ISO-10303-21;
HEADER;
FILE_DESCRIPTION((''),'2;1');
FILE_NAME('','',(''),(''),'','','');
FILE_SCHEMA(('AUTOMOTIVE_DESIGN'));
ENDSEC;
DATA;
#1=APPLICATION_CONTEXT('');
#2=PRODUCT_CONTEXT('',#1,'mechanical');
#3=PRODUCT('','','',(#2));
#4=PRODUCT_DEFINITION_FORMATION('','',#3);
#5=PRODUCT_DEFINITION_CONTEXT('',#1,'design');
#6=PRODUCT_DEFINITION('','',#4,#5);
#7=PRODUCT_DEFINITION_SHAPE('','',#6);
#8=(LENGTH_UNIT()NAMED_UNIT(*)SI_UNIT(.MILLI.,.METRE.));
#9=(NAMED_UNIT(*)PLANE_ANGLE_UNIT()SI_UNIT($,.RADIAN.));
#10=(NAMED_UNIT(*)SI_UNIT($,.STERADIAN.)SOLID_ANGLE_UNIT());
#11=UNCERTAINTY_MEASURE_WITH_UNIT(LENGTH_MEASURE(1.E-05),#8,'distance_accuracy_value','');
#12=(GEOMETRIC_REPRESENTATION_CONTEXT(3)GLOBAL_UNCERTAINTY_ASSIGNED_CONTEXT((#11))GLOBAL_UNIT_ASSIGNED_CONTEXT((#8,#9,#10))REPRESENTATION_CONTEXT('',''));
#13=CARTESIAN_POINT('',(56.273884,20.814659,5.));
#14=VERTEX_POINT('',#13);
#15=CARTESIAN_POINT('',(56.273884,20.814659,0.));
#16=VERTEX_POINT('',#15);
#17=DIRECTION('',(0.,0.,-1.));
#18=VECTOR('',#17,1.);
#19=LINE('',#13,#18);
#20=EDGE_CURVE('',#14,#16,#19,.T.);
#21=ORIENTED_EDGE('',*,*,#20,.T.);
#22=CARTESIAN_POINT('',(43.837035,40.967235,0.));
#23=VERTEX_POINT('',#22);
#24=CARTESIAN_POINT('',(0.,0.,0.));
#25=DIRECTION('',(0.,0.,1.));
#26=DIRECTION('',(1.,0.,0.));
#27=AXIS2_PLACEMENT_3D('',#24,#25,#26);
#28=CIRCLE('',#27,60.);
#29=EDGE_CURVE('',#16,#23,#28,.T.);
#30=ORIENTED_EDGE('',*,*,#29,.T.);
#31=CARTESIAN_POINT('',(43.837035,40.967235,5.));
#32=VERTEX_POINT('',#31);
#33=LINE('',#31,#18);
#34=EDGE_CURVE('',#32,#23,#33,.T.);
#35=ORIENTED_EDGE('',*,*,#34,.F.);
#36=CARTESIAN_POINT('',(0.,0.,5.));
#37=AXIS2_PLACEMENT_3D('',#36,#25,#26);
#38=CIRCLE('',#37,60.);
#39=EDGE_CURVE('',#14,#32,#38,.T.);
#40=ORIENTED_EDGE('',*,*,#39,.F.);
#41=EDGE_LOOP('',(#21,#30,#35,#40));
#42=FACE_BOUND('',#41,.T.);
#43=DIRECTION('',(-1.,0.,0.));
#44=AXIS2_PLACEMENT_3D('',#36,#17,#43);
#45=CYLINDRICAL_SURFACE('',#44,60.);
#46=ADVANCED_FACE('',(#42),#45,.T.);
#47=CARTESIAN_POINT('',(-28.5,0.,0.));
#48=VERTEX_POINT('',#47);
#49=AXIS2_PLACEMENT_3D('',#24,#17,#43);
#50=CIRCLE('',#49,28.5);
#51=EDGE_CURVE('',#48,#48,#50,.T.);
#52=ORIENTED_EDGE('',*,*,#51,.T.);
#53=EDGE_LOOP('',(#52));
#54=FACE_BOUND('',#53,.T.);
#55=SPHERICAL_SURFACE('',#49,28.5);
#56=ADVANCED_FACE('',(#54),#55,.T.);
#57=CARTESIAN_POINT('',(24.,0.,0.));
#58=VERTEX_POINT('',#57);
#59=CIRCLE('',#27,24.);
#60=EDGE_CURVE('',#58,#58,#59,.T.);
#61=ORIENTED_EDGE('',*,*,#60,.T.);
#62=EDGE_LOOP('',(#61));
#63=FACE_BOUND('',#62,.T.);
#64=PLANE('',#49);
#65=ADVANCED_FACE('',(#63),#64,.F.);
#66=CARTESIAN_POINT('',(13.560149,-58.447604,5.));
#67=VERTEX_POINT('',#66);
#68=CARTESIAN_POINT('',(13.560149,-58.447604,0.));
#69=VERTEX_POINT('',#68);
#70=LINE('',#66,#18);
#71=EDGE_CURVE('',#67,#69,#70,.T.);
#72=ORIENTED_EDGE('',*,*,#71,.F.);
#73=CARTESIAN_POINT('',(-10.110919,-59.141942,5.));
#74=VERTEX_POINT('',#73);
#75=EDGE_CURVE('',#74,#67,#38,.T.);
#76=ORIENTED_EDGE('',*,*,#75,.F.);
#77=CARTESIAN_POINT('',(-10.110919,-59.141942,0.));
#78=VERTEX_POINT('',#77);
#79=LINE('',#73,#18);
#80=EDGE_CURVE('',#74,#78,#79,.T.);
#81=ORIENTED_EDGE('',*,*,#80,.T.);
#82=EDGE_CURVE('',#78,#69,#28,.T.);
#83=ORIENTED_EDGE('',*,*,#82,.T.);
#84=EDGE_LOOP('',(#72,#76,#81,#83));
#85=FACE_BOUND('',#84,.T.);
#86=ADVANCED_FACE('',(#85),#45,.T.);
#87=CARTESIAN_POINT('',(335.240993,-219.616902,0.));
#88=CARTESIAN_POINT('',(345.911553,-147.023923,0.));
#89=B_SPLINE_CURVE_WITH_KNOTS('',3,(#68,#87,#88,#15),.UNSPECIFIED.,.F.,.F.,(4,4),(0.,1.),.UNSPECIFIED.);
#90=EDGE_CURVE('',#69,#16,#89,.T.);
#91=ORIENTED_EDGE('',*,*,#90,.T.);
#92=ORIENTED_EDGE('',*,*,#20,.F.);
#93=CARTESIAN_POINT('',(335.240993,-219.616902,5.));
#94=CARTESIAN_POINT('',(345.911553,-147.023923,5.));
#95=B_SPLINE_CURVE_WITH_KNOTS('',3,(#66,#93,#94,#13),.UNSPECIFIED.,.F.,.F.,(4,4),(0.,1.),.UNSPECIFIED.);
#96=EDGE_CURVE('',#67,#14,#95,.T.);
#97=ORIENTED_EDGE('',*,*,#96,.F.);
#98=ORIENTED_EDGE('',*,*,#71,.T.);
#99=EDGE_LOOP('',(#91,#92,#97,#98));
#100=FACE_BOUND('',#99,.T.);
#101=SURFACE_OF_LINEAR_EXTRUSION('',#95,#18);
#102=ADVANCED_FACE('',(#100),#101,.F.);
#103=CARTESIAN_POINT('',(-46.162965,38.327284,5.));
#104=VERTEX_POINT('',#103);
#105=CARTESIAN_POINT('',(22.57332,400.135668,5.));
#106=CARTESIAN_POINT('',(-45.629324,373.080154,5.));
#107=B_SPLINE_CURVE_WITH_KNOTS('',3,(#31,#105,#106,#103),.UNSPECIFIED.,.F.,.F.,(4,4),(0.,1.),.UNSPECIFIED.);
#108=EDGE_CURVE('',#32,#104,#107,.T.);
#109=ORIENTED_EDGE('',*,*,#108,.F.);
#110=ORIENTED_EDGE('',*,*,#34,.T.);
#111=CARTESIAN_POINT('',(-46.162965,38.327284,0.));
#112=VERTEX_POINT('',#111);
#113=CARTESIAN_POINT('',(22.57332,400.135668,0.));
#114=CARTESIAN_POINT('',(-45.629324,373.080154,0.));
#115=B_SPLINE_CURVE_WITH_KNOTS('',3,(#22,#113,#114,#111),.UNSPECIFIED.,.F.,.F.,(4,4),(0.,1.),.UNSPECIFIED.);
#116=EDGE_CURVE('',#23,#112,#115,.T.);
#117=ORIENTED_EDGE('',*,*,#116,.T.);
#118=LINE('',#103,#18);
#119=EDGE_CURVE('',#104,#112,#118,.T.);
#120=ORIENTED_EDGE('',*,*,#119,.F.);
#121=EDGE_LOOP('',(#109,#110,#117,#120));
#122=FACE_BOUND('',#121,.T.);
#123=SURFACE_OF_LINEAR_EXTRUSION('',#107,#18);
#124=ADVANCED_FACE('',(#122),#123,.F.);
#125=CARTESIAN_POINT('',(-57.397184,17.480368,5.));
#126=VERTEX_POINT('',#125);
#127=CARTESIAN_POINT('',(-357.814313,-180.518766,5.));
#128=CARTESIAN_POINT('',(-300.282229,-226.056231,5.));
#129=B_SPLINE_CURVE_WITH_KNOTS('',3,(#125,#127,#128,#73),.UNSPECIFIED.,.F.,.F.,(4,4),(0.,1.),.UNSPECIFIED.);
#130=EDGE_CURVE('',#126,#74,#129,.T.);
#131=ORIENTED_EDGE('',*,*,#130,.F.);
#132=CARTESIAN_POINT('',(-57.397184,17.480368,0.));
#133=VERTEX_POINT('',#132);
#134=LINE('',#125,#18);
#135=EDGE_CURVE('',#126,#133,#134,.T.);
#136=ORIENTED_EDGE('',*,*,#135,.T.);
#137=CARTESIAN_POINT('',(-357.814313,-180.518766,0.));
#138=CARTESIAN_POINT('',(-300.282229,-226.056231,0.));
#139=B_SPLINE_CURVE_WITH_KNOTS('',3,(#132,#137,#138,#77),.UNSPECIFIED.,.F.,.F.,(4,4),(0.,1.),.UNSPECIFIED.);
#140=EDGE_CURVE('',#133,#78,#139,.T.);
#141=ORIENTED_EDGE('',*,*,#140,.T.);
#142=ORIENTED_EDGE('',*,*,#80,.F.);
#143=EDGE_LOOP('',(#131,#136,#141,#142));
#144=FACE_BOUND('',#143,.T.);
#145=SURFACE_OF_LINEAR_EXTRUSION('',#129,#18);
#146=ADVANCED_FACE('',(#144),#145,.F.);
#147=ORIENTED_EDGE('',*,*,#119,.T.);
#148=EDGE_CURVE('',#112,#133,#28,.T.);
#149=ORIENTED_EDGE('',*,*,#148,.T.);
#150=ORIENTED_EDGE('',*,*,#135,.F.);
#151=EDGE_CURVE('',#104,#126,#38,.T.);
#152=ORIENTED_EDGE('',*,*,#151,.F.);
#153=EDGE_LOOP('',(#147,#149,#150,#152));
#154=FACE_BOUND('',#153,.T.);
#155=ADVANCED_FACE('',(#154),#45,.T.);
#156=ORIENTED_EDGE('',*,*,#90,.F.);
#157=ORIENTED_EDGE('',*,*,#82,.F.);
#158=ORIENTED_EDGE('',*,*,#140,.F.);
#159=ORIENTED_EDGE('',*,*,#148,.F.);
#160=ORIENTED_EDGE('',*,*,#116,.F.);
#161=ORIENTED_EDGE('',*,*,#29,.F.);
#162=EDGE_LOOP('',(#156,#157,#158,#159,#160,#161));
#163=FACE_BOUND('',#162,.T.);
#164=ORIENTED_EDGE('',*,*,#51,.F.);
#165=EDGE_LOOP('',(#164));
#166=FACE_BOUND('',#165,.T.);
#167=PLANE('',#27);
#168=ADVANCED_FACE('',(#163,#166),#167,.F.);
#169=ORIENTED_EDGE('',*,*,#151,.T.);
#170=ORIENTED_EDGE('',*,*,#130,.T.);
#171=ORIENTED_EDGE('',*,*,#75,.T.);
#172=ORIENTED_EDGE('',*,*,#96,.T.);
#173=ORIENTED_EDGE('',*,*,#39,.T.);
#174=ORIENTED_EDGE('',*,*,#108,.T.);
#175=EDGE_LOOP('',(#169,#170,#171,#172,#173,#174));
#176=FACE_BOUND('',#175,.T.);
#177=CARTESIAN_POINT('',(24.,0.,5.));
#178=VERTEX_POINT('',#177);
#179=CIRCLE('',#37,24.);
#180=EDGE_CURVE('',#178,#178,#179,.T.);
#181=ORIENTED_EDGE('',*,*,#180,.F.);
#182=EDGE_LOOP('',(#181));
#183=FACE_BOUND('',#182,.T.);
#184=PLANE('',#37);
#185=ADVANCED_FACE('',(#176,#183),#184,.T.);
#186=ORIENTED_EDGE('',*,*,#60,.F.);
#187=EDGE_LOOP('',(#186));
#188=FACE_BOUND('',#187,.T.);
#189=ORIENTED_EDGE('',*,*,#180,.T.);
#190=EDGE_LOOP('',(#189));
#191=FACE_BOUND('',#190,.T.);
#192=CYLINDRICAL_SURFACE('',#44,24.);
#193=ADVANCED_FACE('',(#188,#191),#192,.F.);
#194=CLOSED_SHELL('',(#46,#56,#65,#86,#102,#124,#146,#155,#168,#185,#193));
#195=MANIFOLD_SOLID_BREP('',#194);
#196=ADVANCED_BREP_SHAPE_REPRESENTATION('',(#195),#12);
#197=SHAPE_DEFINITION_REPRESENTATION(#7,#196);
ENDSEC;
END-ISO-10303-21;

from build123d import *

# Parameters (mm, degrees)
SKETCH1_R           = 24
BOSS_EXTRUDE2_DEPTH = 5
CIRPATTERN1_COUNT   = 3
REVOLVE1_ANGLE      = 180


with BuildPart() as part:
    # Sketch1 → Boss-Extrude2 (new body)
    with BuildSketch(Plane.XY):
        with BuildLine():
            ThreePointArc((-46.162964947, 38.327283589), (1.759211062, -59.974204258), (43.837035053, 40.967235174))
            add(Edge.make_bspline(
                [(43.837035053, 40.967235174), (22.573319666, 400.135667747), (-45.629324476, 373.080153996), (-46.162964947, 38.327283589)],
                knots=[0, 0, 0, 0, 1, 1, 1, 1], degree=3))
        make_face()
        Circle(SKETCH1_R, mode=Mode.SUBTRACT)
    boss_extrude2 = extrude(amount=BOSS_EXTRUDE2_DEPTH)

    # CirPattern1: Boss-Extrude2 ×3 about axis
    cirpattern1_axis = Axis((0, 0, 5), (0, 0, 1))
    for i in range(1, CIRPATTERN1_COUNT):
        add(boss_extrude2.rotate(cirpattern1_axis, i * 360 / CIRPATTERN1_COUNT))

    # Sketch2 → Revolve1 (revolve)
    with BuildSketch(Plane.XY):
        with BuildLine():
            Line((0, 28.5), (0, -28.5))
            ThreePointArc((0, -28.5), (-28.5, 0), (0, 28.5))
        make_face()
    revolve(axis=Axis((0, 28.5, 0), (0, -1, 0)), revolution_arc=REVOLVE1_ANGLE)


solid = part.part
